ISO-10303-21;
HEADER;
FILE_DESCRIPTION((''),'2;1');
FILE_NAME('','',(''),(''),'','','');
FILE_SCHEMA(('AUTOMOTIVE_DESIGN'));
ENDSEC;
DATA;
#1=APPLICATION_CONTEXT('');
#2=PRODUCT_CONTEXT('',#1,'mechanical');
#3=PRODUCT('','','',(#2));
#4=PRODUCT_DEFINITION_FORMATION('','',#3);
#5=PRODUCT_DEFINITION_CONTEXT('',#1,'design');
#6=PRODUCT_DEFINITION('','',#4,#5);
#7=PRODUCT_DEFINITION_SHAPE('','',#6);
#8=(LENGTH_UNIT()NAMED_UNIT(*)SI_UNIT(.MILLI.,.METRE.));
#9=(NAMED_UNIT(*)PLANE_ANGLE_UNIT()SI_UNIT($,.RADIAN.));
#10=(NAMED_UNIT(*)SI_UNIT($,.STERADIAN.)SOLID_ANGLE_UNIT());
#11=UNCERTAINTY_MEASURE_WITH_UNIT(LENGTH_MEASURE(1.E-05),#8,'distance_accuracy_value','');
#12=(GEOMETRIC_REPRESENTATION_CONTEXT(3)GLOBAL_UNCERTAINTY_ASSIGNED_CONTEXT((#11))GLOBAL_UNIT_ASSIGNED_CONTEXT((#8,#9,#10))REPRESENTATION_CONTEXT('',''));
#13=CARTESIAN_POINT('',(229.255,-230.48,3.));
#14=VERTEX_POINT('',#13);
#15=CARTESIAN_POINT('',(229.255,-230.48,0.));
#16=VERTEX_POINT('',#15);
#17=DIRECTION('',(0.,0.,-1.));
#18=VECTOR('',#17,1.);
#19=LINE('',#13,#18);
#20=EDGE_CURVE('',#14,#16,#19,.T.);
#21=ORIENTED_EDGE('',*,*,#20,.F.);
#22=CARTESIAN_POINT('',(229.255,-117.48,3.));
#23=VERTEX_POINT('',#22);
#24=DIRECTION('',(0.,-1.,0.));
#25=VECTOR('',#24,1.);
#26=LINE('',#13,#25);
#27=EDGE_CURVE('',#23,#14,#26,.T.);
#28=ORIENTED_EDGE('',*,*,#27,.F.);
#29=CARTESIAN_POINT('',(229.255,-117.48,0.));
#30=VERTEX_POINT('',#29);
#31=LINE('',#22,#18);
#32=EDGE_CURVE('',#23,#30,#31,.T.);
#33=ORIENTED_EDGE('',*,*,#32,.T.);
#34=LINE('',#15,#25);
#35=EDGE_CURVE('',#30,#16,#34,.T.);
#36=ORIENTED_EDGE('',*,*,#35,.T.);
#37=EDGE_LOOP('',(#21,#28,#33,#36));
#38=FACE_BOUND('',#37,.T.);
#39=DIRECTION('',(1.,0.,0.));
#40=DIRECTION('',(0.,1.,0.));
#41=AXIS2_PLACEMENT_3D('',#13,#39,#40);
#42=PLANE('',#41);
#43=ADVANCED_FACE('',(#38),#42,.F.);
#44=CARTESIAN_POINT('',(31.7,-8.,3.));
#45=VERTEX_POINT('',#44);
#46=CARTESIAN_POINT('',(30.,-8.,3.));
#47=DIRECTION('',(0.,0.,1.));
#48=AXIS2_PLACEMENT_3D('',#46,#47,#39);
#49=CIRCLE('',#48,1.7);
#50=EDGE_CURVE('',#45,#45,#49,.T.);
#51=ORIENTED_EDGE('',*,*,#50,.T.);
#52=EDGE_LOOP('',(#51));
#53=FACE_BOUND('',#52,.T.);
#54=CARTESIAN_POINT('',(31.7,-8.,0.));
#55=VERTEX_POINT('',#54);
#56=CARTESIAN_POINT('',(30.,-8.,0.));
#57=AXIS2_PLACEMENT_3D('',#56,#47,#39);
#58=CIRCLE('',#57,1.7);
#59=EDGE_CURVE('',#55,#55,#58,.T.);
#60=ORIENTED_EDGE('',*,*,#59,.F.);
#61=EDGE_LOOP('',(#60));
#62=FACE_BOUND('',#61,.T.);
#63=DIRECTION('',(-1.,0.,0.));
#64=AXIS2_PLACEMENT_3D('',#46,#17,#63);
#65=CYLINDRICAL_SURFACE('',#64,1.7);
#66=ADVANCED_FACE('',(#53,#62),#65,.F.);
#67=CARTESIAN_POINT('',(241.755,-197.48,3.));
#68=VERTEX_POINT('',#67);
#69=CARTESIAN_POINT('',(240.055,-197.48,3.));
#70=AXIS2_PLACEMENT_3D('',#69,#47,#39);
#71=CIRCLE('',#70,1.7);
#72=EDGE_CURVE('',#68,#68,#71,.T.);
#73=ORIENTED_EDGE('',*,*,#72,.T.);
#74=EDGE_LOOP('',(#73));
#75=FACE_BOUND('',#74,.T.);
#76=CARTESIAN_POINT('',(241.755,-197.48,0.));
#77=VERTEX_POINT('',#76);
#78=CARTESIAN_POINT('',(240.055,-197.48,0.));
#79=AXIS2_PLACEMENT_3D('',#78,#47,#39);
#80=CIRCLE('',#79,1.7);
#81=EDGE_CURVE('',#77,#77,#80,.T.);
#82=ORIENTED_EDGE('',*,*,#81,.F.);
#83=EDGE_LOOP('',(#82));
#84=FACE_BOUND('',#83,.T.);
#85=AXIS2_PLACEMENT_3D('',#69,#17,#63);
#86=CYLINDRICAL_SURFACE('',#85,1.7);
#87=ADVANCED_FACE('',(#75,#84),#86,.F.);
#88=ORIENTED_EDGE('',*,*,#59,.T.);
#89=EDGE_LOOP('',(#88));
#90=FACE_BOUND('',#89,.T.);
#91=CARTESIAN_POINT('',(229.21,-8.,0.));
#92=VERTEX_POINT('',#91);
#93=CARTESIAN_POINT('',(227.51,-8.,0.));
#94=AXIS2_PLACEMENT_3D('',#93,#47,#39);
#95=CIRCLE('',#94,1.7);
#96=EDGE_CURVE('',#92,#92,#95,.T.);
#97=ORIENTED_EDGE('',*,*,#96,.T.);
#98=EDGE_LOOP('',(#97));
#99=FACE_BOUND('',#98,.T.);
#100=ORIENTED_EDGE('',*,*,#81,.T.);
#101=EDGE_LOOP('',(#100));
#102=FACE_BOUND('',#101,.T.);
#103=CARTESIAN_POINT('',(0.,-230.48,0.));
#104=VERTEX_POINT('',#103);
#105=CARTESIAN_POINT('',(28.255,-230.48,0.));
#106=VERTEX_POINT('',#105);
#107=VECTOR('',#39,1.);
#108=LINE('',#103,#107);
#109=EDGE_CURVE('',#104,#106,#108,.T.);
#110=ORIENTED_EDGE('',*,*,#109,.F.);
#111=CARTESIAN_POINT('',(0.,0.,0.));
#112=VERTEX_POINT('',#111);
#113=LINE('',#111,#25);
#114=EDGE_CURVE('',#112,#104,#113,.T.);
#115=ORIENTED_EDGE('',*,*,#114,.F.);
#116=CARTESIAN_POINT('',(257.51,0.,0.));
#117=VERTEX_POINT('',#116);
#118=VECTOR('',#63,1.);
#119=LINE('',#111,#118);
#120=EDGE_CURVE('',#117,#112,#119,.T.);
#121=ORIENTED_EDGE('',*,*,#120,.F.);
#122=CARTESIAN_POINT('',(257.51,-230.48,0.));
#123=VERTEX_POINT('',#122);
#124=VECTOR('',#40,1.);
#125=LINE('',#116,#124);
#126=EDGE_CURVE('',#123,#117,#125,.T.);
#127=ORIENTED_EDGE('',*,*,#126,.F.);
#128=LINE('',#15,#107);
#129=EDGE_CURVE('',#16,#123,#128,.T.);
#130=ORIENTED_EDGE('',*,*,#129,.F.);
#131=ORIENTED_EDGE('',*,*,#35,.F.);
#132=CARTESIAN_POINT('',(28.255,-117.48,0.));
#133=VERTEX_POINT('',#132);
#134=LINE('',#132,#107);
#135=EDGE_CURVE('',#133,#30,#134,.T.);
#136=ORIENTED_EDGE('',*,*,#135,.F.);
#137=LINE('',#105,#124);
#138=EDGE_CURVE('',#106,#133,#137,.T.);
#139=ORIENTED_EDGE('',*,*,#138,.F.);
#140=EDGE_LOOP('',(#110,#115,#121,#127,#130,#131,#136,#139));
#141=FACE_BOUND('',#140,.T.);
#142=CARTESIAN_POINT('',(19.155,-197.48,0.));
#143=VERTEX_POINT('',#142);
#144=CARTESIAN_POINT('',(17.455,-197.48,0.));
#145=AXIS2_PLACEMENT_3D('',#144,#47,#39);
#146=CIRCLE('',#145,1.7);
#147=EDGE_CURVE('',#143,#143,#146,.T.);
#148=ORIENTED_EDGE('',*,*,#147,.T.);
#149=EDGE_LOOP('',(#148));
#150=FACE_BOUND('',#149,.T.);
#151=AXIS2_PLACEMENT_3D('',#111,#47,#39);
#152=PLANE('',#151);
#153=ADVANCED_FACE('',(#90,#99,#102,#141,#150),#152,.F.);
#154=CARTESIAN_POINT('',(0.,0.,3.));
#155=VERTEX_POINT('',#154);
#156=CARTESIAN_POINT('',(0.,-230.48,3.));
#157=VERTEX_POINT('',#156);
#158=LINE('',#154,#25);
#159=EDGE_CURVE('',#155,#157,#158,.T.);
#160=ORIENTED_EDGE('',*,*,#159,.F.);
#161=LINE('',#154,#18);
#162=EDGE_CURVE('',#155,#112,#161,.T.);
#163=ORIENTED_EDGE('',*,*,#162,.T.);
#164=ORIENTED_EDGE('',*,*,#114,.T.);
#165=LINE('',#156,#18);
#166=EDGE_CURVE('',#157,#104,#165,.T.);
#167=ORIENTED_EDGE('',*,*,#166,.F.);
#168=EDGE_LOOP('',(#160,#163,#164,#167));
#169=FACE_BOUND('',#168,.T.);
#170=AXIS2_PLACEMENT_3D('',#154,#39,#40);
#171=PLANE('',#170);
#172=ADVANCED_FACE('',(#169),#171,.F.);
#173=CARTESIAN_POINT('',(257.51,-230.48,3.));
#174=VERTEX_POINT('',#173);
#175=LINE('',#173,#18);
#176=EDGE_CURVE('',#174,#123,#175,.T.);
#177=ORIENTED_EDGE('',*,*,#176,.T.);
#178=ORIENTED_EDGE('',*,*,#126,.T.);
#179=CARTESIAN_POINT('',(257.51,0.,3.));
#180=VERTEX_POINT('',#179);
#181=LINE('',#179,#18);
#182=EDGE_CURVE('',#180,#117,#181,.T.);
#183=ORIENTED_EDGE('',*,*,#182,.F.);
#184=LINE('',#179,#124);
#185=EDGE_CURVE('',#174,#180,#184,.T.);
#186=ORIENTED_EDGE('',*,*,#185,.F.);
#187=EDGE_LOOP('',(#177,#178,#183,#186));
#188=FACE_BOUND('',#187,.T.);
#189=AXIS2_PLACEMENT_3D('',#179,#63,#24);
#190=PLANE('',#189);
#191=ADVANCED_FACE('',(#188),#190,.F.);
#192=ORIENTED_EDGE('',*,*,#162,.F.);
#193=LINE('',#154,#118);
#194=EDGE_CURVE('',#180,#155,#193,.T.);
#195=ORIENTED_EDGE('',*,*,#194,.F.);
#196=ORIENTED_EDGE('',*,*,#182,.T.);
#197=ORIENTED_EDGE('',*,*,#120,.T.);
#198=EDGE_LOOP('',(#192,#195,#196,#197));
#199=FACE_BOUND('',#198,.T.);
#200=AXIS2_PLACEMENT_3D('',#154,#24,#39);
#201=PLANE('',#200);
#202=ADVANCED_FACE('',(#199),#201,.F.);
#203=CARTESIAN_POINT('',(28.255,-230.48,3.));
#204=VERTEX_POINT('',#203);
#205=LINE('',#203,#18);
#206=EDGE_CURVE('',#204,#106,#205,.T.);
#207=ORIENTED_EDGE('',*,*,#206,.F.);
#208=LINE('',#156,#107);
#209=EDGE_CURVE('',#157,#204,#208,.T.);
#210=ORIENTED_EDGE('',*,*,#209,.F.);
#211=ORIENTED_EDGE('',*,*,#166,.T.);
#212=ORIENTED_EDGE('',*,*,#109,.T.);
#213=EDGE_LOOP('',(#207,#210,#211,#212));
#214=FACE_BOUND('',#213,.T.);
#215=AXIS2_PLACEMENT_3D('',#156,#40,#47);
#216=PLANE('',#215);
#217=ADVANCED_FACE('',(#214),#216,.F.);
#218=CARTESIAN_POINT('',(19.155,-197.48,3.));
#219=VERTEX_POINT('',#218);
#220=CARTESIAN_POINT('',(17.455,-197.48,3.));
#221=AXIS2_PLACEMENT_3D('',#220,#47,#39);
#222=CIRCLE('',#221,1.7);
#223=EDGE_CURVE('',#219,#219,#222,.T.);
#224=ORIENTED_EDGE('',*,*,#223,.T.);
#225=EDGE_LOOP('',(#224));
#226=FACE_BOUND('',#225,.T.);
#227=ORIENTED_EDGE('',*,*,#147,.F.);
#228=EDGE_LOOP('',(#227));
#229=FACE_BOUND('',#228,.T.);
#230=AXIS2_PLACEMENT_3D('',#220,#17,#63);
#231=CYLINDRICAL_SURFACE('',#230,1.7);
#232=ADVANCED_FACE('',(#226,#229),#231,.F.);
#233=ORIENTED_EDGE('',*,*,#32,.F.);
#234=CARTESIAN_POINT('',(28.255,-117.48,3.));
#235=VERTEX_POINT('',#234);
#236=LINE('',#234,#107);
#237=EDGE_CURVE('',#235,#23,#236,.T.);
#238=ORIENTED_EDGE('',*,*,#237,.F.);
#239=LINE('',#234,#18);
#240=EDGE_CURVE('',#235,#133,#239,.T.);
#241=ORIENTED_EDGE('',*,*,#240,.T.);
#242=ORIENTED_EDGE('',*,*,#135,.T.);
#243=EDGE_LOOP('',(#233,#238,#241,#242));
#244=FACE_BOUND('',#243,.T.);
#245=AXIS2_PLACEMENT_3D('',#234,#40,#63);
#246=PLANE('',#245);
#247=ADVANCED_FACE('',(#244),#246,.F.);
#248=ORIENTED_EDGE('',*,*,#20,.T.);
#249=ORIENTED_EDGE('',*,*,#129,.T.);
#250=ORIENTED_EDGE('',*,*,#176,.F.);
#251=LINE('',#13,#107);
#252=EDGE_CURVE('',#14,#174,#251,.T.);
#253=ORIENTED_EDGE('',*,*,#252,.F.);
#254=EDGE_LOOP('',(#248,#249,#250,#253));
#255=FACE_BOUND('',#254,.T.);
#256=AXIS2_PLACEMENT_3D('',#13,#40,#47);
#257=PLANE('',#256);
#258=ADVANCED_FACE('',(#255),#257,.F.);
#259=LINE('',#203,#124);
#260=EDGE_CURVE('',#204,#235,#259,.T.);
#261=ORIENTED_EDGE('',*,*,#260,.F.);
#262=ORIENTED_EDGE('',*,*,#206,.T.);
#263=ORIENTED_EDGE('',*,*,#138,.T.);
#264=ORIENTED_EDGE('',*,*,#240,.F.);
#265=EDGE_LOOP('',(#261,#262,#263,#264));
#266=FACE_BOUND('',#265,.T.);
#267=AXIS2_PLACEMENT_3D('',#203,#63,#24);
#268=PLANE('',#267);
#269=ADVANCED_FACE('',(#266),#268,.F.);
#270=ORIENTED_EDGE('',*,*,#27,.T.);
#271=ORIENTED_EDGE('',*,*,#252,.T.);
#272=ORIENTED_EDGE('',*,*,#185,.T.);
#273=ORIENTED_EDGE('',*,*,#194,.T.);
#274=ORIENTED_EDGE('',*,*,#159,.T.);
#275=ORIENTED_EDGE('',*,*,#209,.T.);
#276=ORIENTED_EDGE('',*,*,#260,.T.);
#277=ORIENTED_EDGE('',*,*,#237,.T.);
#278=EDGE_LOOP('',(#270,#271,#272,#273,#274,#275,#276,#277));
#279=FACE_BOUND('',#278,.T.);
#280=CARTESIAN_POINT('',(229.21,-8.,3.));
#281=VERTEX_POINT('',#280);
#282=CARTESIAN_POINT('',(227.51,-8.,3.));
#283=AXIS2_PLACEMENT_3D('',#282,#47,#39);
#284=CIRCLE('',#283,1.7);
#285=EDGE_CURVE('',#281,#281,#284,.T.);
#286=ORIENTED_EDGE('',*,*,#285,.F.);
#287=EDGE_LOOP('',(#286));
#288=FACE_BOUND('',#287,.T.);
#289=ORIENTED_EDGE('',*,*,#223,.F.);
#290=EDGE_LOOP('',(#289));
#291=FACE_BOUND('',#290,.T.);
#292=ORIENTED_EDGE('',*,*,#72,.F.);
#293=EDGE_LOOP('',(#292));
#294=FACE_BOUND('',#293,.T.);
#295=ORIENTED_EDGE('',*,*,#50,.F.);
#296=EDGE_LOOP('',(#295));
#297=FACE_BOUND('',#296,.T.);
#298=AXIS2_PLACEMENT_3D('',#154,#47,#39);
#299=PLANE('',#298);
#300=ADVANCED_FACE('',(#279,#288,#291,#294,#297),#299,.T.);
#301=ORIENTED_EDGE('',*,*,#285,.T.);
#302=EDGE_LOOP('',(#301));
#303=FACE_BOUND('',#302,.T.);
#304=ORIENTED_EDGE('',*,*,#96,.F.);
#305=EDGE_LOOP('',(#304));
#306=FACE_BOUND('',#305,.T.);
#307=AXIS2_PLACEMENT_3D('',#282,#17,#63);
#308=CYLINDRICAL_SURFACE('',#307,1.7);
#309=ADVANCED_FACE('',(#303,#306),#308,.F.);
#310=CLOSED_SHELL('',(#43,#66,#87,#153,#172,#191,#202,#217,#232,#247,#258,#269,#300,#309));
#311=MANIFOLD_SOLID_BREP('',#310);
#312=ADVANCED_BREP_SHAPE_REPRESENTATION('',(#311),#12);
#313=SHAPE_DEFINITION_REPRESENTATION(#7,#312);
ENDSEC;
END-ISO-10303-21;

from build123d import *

# Parameters (mm, degrees)
ESQUISSE2_R        = 1.7
BOSS_EXTRU_1_DEPTH = 3


with BuildPart() as part:
    # Esquisse2 → Boss.-Extru.1 (new body)
    with BuildSketch(Plane.XY):
        Polygon((229.255, -230.48), (257.51, -230.48), (257.51, 0), (0, 0), (0, -230.48), (28.255, -230.48), (28.255, -117.48), (229.255, -117.48), align=None)
        with Locations((17.455, -197.48)):
            Circle(ESQUISSE2_R, mode=Mode.SUBTRACT)
        with Locations((240.055, -197.48)):
            Circle(ESQUISSE2_R, mode=Mode.SUBTRACT)
        with Locations((227.51, -8)):
            Circle(ESQUISSE2_R, mode=Mode.SUBTRACT)
        with Locations((30, -8)):
            Circle(ESQUISSE2_R, mode=Mode.SUBTRACT)
    extrude(amount=BOSS_EXTRU_1_DEPTH)


solid = part.part
